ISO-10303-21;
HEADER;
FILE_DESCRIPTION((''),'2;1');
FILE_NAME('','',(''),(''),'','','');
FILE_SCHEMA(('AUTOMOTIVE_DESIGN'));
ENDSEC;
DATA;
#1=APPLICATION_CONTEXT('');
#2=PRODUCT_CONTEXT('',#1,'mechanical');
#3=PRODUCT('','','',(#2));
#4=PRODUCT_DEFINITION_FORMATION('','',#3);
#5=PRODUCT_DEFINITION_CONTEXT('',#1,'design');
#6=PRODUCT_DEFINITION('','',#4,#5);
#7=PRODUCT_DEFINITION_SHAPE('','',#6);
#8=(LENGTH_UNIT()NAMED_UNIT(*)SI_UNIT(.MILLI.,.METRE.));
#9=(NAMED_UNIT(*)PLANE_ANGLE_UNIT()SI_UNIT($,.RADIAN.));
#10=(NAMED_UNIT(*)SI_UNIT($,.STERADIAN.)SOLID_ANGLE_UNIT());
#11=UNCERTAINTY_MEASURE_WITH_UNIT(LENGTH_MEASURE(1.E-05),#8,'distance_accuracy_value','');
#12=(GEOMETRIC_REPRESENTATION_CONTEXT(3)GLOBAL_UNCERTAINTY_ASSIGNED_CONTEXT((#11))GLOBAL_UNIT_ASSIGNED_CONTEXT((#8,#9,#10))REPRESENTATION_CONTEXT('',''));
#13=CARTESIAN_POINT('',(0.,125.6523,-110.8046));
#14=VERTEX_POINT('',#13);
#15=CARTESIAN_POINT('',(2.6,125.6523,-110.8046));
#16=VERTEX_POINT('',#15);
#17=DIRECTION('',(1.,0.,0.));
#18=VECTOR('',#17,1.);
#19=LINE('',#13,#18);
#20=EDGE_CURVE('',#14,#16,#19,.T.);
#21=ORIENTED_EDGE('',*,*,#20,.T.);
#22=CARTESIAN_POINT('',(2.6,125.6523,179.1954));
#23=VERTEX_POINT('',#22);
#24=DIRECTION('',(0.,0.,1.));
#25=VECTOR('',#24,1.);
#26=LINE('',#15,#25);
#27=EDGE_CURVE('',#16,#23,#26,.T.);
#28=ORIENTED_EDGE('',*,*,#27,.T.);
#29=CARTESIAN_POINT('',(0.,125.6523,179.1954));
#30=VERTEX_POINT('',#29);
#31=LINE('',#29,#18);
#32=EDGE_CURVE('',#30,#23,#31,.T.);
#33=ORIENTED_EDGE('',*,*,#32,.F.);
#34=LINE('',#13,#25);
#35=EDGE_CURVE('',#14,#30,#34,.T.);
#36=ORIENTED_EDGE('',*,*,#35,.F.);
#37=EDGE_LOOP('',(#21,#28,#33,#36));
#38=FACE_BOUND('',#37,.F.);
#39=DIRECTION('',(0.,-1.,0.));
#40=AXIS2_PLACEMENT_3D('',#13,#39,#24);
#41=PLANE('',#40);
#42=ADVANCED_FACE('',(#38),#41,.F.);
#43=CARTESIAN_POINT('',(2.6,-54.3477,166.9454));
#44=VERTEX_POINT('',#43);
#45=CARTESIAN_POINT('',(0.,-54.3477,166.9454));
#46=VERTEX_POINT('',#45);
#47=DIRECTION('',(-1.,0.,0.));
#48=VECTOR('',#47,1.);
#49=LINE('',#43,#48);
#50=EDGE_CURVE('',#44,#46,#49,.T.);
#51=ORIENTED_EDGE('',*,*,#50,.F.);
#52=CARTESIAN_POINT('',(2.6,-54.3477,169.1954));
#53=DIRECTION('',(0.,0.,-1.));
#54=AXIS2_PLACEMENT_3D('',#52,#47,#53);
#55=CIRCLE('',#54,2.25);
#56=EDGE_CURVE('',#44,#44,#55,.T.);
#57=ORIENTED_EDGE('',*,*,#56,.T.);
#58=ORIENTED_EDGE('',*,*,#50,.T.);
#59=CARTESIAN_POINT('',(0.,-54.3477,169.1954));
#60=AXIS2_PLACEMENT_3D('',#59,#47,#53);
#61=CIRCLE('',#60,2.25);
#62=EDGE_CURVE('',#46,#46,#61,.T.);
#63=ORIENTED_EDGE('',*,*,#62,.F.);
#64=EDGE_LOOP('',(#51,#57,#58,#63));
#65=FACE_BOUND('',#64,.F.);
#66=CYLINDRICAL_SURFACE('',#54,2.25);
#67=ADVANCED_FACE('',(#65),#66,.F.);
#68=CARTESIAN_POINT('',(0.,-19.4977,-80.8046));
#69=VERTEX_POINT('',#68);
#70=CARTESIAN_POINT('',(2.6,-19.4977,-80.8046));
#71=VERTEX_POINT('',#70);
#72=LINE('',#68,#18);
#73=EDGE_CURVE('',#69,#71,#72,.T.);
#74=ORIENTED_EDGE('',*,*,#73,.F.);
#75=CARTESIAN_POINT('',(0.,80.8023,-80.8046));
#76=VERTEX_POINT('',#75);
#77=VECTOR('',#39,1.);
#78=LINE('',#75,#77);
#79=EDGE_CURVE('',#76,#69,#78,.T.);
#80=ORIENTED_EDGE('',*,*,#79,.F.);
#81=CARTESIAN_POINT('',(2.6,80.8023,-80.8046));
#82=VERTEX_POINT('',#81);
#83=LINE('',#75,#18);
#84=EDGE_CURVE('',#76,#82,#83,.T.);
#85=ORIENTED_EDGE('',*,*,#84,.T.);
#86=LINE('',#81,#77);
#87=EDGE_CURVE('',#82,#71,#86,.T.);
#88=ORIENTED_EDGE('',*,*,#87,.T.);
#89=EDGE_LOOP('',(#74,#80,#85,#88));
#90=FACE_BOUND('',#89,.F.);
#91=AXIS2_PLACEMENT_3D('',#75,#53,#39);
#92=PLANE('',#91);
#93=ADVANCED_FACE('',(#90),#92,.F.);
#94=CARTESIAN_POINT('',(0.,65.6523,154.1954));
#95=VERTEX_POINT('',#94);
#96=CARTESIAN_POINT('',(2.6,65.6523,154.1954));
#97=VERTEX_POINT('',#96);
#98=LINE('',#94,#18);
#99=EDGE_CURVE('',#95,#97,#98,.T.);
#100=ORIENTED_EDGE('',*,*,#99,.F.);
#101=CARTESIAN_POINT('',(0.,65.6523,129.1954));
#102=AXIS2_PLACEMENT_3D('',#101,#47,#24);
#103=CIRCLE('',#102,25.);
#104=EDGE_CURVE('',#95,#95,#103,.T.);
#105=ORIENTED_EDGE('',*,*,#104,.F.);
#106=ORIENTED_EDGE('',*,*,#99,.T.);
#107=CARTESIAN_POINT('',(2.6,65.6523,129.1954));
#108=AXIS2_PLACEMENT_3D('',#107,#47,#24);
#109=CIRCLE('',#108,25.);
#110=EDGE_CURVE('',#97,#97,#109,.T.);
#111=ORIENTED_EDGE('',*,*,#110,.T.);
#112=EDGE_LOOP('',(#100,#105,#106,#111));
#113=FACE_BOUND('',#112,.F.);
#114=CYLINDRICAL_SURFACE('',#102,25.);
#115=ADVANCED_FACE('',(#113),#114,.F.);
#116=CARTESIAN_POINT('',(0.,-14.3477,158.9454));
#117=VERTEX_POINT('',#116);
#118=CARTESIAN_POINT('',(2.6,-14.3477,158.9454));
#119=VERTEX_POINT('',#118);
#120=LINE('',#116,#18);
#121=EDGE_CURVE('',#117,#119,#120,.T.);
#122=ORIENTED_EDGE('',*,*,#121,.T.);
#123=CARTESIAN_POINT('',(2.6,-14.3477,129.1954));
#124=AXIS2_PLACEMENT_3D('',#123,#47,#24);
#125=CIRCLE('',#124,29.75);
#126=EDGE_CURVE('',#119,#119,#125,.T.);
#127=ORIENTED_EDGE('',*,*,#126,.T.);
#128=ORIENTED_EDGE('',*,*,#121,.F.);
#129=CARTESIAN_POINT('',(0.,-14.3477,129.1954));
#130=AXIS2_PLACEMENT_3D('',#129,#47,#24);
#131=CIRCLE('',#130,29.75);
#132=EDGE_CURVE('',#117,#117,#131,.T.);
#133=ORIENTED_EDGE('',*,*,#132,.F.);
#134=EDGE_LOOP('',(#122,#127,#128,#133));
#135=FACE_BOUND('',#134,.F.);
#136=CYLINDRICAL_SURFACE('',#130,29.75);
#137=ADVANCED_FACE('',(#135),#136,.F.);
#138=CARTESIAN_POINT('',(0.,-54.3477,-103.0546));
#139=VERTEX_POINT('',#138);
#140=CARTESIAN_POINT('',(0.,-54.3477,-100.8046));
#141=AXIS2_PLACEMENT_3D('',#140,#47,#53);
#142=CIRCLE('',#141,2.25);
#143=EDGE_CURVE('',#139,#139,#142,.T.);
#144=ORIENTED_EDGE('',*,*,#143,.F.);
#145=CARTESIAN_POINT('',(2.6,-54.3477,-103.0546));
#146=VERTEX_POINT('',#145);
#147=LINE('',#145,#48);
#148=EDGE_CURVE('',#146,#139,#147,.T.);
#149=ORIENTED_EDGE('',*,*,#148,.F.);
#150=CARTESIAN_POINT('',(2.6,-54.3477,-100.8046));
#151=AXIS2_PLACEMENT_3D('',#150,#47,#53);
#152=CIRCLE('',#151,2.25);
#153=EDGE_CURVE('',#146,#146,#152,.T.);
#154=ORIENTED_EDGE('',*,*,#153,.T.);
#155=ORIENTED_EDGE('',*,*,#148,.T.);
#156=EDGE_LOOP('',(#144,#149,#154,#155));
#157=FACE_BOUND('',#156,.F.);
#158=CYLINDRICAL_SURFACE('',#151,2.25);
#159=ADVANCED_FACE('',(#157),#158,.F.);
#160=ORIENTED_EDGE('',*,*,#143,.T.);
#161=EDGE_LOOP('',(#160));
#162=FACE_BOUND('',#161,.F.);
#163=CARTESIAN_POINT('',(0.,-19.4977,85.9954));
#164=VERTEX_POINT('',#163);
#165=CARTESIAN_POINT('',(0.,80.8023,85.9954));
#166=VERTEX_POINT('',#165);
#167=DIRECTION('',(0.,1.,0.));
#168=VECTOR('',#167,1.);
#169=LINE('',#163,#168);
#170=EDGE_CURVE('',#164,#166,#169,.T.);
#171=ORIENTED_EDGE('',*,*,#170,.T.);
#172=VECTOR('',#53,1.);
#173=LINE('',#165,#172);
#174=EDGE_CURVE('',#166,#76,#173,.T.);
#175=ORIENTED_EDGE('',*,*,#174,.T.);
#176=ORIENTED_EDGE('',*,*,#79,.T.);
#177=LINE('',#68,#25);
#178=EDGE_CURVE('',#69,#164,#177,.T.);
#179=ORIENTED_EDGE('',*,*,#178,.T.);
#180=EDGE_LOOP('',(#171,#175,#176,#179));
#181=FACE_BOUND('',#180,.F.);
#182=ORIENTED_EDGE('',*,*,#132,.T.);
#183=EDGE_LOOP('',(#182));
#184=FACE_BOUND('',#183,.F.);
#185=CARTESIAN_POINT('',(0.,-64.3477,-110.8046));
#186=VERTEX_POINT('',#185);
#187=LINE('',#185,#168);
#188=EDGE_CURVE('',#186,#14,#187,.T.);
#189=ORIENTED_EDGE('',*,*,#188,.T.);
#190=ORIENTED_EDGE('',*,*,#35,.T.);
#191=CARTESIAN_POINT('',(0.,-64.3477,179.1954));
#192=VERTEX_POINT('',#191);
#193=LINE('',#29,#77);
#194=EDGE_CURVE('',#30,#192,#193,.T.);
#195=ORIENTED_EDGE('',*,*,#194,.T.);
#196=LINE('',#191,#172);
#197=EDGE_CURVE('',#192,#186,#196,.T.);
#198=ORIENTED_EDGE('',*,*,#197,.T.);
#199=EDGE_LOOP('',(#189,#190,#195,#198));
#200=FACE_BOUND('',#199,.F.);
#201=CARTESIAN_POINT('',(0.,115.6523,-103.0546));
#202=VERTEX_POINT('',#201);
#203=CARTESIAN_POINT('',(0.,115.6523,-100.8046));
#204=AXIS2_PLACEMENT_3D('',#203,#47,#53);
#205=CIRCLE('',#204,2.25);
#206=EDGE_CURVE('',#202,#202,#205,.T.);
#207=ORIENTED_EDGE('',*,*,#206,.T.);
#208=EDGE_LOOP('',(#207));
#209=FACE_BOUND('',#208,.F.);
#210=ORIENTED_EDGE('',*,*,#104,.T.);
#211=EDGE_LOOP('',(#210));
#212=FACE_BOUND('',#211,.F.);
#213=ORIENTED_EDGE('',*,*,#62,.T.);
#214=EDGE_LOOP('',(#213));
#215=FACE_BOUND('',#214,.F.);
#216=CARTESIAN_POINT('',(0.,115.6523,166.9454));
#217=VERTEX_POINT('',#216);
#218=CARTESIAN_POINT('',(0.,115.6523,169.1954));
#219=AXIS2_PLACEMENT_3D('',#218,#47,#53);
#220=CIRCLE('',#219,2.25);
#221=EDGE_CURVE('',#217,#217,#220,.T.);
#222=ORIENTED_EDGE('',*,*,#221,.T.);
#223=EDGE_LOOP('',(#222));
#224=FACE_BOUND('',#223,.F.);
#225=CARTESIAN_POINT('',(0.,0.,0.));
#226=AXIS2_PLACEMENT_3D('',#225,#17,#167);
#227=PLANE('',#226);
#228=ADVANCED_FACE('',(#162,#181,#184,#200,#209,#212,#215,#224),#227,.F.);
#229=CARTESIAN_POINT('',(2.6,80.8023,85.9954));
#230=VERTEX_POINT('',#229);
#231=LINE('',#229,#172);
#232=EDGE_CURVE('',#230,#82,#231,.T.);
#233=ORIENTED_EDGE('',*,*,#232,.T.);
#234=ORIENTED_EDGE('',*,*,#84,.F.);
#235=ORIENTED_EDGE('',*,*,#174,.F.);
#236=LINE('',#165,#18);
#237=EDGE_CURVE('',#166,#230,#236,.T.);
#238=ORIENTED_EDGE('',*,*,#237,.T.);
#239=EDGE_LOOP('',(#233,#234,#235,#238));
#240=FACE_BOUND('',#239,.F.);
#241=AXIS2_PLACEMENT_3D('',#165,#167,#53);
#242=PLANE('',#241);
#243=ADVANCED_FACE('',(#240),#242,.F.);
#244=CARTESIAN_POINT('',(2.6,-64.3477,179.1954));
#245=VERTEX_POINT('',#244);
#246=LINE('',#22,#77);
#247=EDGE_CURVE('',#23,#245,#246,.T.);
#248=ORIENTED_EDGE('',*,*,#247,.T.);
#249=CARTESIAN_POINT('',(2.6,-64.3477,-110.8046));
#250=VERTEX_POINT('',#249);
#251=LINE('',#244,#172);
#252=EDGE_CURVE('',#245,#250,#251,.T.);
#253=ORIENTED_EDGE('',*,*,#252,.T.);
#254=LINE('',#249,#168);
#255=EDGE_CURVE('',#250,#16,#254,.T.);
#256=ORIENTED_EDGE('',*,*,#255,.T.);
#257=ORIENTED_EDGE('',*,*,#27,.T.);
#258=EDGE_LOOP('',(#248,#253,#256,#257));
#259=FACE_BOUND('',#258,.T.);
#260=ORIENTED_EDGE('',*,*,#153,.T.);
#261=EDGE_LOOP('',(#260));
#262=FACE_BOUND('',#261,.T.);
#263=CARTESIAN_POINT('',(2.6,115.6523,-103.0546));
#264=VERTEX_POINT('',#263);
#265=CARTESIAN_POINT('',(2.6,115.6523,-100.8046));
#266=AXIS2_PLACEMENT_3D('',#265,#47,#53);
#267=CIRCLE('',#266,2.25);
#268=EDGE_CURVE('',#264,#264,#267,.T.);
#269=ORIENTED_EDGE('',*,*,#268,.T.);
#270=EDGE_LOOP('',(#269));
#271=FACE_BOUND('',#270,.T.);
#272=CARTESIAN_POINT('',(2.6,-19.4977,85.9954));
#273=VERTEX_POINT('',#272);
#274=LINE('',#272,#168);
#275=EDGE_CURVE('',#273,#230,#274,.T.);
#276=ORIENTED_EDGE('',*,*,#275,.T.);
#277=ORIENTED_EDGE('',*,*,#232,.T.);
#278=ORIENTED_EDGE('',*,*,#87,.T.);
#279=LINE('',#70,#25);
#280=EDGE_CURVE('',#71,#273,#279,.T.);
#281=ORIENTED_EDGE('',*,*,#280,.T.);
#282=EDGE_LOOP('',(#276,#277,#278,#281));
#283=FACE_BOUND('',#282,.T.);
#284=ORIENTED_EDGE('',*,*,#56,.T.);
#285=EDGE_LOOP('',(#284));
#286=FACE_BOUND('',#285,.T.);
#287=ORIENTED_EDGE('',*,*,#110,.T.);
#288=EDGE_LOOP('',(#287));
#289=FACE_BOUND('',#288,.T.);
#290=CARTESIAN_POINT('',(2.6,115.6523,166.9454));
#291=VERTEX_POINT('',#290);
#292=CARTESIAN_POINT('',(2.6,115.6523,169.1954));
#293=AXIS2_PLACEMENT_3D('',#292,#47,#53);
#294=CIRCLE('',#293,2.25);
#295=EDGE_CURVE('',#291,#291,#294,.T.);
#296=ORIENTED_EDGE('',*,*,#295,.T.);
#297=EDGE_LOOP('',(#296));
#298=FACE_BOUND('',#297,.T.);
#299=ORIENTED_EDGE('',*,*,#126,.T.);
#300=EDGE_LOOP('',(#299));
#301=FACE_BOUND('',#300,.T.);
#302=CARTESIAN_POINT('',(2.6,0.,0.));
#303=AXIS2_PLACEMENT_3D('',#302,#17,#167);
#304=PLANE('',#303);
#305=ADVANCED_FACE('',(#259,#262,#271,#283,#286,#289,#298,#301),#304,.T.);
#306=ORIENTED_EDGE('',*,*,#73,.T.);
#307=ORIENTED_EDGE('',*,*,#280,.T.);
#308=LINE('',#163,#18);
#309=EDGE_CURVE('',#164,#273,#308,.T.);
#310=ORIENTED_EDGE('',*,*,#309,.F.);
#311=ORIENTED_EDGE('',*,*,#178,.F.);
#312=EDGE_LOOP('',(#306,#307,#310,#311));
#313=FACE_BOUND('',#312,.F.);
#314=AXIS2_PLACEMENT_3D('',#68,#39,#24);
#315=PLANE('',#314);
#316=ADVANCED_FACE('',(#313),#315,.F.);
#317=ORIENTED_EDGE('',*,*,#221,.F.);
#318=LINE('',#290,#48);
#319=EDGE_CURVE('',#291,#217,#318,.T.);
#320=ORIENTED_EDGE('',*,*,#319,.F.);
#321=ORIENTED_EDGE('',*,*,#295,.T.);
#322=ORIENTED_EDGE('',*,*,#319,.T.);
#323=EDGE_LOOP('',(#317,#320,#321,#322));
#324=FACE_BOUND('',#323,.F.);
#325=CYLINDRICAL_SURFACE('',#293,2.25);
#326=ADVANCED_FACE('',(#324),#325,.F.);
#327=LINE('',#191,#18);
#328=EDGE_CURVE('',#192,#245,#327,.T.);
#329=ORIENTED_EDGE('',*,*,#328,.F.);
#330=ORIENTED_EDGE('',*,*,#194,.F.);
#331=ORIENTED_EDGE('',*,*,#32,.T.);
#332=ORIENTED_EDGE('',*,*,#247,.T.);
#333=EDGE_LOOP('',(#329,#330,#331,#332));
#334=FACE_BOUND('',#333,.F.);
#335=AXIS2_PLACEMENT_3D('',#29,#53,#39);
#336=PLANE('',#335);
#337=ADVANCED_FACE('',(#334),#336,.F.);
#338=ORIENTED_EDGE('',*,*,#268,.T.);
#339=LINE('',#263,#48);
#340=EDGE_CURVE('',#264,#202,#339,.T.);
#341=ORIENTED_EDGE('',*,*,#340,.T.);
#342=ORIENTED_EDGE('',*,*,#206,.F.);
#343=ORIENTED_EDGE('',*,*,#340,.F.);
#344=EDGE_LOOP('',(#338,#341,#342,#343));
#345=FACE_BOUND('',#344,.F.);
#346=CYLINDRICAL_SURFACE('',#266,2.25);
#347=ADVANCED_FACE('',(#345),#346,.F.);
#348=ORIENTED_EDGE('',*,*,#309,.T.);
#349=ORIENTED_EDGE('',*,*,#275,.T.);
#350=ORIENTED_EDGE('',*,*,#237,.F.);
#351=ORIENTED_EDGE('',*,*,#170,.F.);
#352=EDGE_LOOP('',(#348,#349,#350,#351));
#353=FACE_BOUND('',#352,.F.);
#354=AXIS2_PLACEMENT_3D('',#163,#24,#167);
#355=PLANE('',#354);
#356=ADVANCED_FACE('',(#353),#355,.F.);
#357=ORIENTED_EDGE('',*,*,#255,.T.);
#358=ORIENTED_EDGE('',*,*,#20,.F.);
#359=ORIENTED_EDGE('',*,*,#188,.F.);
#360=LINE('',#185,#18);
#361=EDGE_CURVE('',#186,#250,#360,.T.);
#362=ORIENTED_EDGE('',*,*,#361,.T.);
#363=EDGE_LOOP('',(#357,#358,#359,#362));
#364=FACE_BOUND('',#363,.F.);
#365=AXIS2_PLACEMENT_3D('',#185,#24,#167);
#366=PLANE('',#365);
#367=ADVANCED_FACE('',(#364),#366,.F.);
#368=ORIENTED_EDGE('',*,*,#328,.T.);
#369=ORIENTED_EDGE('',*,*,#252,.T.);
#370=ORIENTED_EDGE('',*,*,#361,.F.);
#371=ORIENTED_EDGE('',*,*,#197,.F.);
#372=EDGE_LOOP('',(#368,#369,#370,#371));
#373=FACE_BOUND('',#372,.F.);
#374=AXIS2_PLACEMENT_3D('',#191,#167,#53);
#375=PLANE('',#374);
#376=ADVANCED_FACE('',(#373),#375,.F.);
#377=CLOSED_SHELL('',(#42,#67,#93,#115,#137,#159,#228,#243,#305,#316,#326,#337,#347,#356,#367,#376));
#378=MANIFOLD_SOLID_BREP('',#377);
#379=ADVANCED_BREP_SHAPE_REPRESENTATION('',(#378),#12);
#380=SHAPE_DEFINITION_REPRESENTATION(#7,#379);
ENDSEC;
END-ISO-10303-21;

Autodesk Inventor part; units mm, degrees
ref_plane "YZ Plane" through (0, 0, 0) normal (1, 0, 0) x (0, 1, 0)
ref_plane "XZ Plane" through (0, 0, 0) normal (0, 1, 0) x (-1, 0, 0)
ref_plane "XY Plane" through (0, 0, 0) normal (0, 0, 1) x (1, 0, 0)
sketch "スケッチ1" plane through (0, 0, 0) normal (1, 0, 0) x (0, 1, 0)
  line L0 (125.6523, 179.1954) -> (-64.3477, 179.1954)
  line L1 (-64.3477, 179.1954) -> (-64.3477, -110.8046)
  line L2 (-64.3477, -110.8046) -> (125.6523, -110.8046)
  line L3 (125.6523, -110.8046) -> (125.6523, 179.1954)
  point P0 (0, 0)
  dimension "d0" = 190
  dimension "d1" = 290
extrude "押し出し1" add sketch "スケッチ1" along normal blind 2.6
sketch "スケッチ2" plane through (2.6, 0, 0) normal (1, 0, 0) x (0, 0, -1)
  line L0 (-179.1954, 125.6523) -> (-179.1954, -64.3477) projected
  line L1 (-179.1954, -64.3477) -> (110.8046, -64.3477) projected
  line L2 (110.8046, -64.3477) -> (110.8046, 125.6523) projected
  line L3 (110.8046, 125.6523) -> (-179.1954, 125.6523) projected
  line L4 (-34.1954, 30.6523) -> (-34.1954, 125.6523)
  line L5 (110.8046, 125.6523) -> (-179.1954, 125.6523) projected
  line L6 (-34.1954, 30.6523) -> (110.8046, 30.6523)
  point P0 (0, 0)
  point P1 (-169.1954, 115.6523)
  point P2 (100.8046, 115.6523)
  point P3 (-169.1954, -54.3477)
  point P4 (100.8046, -54.3477)
  dimension "d4" = 10
  dimension "d5" = 10
hole "穴1" at (2.6, 115.6523, 169.1954) at (2.6, 115.6523, -100.8046) at (2.6, -54.3477, 169.1954) at (2.6, -54.3477, -100.8046) direction (-1, 0, 0) diameter 4.5 depth 10 tip angle 118
sketch "スケッチ6" plane through (0, 0, 0) normal (-1, 0, 0) x (0, 0, 1)
  circle A0 centre (129.1954, -14.3477) radius 29.75 projected
  circle A1 centre (129.1954, 65.6523) radius 25 projected
  line L0 (-80.8046, -19.4977) -> (85.9954, -19.4977) projected
  line L1 (85.9954, -19.4977) -> (85.9954, 80.8023) projected
  line L2 (85.9954, 80.8023) -> (-80.8046, 80.8023) projected
  line L3 (-80.8046, 80.8023) -> (-80.8046, -19.4977) projected
  point P0 (0, 0)
extrude "押し出し5" cut sketch "スケッチ6" against normal up to surface (2.6 mm away)
properties part number "lc_box_side" material "ポリカーボネート、クリア"
